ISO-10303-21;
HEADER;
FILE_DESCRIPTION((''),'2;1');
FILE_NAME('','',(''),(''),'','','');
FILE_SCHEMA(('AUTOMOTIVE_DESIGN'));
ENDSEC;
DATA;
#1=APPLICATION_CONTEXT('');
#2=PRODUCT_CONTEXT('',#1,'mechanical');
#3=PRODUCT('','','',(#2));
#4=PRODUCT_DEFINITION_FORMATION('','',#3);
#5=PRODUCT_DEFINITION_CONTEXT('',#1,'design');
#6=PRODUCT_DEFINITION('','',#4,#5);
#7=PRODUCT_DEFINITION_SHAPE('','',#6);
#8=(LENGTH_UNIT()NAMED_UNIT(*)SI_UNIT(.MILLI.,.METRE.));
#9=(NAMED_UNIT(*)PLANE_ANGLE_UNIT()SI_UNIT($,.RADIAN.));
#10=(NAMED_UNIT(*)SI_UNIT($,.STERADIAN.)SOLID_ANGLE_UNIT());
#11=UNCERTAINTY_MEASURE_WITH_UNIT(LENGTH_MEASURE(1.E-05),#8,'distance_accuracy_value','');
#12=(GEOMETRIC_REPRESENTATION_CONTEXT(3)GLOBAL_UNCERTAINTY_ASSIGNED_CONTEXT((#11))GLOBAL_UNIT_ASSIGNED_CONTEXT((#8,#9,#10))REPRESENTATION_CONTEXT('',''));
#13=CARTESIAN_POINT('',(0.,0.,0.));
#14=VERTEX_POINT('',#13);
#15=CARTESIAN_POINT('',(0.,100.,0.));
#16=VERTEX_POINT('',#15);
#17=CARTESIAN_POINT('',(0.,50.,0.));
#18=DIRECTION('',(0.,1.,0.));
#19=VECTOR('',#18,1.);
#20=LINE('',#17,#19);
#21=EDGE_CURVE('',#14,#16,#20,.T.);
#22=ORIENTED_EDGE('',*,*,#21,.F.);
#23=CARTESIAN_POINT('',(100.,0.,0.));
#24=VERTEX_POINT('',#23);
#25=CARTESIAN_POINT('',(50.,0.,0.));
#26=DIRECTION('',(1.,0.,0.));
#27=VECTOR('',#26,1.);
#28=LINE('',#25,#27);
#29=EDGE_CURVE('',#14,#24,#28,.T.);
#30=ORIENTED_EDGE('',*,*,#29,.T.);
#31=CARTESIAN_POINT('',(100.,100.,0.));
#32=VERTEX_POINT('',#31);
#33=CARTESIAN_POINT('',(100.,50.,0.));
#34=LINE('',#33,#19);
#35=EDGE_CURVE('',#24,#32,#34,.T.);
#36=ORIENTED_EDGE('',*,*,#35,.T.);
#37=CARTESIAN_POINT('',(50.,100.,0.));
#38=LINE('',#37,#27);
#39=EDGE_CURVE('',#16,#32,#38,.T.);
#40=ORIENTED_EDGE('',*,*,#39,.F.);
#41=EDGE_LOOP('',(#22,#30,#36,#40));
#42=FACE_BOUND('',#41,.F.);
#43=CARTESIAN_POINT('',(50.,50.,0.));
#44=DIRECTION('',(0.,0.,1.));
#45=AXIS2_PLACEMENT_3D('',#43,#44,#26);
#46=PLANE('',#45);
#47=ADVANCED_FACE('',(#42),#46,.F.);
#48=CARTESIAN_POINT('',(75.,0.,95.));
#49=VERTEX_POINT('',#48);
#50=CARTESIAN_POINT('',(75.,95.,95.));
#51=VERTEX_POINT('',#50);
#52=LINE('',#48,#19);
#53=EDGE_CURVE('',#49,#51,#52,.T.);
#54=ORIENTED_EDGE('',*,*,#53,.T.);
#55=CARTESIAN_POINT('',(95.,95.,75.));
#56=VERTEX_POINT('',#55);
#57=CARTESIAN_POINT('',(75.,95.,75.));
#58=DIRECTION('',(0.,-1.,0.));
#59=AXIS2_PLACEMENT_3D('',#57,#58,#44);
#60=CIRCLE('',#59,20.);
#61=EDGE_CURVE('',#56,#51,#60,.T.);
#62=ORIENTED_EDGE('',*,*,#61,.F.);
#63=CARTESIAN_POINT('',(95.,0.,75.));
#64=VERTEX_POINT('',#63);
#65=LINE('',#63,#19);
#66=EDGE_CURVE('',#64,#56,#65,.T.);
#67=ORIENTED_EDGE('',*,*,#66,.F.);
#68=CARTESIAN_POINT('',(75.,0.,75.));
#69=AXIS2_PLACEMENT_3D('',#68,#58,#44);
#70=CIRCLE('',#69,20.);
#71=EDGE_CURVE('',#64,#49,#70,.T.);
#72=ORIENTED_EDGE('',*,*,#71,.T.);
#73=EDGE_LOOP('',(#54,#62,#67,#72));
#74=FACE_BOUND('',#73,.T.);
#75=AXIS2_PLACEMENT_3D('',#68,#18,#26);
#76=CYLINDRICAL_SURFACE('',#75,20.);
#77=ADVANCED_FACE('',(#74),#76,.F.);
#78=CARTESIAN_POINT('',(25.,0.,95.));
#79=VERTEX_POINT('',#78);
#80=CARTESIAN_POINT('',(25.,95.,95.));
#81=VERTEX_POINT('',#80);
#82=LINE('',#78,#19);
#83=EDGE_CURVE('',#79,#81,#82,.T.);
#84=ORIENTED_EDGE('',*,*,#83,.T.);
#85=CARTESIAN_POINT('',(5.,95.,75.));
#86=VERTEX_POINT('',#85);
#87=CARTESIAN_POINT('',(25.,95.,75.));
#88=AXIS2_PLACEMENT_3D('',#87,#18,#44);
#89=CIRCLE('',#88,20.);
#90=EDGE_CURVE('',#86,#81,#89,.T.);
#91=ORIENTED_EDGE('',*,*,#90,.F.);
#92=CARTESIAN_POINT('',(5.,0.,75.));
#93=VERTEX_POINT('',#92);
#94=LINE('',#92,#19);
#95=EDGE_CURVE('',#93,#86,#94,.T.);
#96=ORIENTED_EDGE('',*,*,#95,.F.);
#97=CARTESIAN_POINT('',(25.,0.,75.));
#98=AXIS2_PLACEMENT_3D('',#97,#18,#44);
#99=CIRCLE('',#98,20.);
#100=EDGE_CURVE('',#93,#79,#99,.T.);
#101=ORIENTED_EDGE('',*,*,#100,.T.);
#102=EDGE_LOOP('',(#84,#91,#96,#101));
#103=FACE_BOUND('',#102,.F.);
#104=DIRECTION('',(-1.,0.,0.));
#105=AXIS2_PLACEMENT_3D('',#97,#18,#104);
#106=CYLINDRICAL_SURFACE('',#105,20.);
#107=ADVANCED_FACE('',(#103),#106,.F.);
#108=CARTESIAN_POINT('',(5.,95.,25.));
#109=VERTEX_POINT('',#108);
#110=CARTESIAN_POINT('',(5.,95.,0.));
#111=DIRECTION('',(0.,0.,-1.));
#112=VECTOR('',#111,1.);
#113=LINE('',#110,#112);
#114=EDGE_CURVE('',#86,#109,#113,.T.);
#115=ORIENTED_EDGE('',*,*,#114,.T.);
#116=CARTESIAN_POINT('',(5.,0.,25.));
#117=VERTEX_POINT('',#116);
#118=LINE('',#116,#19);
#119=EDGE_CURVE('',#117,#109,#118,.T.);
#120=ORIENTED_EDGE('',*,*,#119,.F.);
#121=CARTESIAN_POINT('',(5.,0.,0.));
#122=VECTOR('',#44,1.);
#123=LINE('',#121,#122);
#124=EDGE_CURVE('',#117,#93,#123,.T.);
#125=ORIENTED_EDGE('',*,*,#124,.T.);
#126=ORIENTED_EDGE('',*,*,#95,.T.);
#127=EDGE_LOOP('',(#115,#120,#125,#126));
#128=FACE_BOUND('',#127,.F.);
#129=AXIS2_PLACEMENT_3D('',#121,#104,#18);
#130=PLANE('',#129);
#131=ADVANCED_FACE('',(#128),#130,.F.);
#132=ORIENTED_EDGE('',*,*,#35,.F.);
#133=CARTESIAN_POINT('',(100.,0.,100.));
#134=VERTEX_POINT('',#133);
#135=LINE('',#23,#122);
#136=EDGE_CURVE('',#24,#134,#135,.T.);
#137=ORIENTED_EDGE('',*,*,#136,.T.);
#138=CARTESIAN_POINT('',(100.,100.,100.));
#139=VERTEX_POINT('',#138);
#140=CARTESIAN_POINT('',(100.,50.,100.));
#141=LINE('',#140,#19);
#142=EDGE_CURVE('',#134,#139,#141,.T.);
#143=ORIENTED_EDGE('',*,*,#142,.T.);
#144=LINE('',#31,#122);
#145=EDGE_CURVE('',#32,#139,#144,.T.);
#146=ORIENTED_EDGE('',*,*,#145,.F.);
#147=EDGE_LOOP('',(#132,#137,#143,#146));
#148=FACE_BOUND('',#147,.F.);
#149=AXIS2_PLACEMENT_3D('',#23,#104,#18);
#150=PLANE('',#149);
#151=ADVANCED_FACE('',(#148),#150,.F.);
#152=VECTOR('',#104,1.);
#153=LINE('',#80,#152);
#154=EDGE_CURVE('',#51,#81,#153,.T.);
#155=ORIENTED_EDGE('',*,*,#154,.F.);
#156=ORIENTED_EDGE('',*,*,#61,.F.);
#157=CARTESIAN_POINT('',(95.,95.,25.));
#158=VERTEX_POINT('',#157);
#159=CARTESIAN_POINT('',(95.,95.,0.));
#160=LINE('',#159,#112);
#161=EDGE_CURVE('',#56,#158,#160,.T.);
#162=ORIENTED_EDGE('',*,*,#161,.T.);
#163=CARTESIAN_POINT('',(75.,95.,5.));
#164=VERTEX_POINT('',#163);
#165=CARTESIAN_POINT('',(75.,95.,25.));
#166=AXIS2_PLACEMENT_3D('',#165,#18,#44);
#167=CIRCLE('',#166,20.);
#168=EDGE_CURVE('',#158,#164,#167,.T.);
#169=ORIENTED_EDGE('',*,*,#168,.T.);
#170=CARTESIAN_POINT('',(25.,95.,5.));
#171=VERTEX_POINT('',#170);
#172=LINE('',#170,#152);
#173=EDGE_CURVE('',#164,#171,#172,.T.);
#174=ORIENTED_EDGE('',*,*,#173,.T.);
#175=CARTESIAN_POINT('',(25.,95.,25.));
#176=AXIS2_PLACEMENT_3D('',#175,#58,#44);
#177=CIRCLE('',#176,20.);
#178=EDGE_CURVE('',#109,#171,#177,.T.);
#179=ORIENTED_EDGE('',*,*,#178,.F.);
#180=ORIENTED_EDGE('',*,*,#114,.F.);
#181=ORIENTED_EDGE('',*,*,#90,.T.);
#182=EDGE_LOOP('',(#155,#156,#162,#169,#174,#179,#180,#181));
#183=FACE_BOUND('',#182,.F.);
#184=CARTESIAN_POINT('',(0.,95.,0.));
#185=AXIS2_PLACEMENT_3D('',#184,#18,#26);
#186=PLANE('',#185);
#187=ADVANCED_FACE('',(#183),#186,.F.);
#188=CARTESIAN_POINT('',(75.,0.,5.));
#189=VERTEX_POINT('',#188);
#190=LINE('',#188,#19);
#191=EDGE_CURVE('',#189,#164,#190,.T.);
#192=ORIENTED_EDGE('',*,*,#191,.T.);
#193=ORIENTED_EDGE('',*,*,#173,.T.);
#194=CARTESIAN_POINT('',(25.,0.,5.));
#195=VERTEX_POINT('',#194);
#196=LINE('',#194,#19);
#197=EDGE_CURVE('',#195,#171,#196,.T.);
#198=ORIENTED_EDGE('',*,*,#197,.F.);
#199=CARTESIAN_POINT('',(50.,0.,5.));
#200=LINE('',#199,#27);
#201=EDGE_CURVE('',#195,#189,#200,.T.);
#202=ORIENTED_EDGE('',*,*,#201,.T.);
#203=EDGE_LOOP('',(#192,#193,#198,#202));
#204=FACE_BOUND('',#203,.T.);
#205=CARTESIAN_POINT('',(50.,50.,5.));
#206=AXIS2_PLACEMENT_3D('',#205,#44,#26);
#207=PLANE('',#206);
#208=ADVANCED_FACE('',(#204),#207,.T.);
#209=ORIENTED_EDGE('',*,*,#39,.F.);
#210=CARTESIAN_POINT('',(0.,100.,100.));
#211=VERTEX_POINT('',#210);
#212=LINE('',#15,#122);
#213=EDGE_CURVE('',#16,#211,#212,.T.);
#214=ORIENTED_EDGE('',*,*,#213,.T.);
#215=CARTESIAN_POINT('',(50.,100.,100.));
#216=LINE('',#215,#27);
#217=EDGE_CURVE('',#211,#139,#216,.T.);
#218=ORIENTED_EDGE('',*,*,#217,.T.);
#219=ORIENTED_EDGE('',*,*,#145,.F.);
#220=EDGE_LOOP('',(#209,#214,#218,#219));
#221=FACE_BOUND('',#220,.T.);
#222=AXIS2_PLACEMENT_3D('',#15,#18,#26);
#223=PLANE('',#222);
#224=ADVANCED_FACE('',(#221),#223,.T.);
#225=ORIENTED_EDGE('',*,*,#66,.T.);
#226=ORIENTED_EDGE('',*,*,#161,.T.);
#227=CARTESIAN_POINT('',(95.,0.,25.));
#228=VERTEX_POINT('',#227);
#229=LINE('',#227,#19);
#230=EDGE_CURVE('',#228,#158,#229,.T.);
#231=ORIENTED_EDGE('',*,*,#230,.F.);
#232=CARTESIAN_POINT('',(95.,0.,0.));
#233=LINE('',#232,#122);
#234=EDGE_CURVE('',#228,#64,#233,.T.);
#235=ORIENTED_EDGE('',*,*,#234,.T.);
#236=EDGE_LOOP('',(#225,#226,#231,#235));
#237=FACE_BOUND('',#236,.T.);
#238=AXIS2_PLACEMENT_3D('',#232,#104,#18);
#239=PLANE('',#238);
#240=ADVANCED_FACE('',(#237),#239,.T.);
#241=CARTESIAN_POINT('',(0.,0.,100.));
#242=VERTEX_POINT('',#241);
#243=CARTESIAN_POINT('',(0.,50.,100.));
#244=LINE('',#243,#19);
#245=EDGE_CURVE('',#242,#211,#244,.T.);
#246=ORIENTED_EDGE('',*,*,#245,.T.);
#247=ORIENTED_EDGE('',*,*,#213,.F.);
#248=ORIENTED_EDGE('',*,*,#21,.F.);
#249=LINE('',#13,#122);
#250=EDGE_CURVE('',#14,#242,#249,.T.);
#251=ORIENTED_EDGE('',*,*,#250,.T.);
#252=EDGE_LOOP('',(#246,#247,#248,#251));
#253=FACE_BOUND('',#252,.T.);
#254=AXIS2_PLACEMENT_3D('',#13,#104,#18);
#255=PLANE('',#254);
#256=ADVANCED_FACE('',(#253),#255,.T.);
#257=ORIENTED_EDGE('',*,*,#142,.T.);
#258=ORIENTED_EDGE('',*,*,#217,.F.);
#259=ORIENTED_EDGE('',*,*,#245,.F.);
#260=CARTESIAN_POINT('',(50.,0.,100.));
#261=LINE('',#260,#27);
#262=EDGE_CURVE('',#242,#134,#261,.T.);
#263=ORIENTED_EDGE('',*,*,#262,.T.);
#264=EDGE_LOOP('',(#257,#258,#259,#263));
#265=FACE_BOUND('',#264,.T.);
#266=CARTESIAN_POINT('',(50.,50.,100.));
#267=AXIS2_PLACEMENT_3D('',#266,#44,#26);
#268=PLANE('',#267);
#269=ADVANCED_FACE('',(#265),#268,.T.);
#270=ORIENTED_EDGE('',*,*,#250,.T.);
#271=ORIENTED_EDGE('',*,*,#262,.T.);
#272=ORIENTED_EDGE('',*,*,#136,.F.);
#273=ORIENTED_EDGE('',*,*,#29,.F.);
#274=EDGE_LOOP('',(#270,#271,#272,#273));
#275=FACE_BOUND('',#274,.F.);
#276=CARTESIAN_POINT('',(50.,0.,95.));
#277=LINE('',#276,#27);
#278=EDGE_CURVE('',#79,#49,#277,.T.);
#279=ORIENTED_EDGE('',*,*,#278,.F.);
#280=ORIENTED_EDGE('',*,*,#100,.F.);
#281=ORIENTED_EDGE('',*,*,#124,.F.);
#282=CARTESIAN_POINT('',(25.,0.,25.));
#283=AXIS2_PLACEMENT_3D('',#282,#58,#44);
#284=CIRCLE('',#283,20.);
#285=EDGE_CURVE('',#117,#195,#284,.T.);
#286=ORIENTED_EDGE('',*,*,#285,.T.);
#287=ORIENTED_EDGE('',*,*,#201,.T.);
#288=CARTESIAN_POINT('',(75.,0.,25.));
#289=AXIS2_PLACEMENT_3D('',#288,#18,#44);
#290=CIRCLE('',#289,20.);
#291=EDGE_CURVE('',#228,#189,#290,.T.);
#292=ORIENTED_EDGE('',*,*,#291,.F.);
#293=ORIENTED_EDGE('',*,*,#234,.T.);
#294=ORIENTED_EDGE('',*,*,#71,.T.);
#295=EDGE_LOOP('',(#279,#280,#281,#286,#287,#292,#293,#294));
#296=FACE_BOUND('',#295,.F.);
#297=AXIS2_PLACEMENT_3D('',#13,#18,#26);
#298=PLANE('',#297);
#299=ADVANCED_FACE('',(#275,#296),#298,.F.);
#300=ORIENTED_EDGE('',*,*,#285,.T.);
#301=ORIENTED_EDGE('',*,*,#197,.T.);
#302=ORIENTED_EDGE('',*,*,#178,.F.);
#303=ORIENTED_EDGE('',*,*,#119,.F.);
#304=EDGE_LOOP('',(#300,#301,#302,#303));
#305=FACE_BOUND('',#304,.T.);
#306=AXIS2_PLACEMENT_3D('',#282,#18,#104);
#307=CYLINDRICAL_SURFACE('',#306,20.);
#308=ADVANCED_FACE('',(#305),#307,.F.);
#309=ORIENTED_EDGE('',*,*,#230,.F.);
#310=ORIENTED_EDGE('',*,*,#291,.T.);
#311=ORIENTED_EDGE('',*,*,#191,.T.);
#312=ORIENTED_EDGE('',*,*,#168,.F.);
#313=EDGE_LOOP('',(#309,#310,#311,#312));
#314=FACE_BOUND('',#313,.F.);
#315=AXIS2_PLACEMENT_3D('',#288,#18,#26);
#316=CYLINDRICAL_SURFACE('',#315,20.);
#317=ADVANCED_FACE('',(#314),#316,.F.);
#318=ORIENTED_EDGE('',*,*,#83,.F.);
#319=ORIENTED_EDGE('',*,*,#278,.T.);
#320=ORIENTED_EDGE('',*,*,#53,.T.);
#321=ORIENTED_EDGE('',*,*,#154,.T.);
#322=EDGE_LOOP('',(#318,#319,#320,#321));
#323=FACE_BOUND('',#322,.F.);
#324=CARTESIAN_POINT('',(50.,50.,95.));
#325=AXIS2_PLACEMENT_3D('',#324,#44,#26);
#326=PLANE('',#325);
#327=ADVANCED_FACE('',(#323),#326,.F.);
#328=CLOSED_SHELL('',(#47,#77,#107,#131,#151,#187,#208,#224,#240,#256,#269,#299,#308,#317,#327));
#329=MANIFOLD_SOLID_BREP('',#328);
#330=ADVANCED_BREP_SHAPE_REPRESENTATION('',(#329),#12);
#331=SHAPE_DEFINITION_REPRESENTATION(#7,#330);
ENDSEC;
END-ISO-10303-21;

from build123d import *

# Parameters (mm, degrees)
F0_W     = 100
F0_H     = 100
F1_DEPTH = 100
F2_T     = -5
F3_R     = 20


with BuildPart() as f1:
    # F0 (on Top) → F1 (new body)
    with BuildSketch(Plane.XY):
        with Locations((50, 50)):
            Rectangle(F0_W, F0_H)
    extrude(amount=F1_DEPTH)

    # F2
    f2_openings = [f1.faces().sort_by_distance(p)[0] for p in [
        (50, 0, 50),
    ]]
    offset(amount=F2_T, openings=f2_openings)

    # F3
    f3_edges = [f1.edges().sort_by_distance(p)[0] for p in [
        (95, 47.5, 95),
        (95, 47.5, 5),
        (5, 47.5, 5),
        (5, 47.5, 95),
    ]]
    fillet(f3_edges, radius=F3_R)


solid = f1.part
